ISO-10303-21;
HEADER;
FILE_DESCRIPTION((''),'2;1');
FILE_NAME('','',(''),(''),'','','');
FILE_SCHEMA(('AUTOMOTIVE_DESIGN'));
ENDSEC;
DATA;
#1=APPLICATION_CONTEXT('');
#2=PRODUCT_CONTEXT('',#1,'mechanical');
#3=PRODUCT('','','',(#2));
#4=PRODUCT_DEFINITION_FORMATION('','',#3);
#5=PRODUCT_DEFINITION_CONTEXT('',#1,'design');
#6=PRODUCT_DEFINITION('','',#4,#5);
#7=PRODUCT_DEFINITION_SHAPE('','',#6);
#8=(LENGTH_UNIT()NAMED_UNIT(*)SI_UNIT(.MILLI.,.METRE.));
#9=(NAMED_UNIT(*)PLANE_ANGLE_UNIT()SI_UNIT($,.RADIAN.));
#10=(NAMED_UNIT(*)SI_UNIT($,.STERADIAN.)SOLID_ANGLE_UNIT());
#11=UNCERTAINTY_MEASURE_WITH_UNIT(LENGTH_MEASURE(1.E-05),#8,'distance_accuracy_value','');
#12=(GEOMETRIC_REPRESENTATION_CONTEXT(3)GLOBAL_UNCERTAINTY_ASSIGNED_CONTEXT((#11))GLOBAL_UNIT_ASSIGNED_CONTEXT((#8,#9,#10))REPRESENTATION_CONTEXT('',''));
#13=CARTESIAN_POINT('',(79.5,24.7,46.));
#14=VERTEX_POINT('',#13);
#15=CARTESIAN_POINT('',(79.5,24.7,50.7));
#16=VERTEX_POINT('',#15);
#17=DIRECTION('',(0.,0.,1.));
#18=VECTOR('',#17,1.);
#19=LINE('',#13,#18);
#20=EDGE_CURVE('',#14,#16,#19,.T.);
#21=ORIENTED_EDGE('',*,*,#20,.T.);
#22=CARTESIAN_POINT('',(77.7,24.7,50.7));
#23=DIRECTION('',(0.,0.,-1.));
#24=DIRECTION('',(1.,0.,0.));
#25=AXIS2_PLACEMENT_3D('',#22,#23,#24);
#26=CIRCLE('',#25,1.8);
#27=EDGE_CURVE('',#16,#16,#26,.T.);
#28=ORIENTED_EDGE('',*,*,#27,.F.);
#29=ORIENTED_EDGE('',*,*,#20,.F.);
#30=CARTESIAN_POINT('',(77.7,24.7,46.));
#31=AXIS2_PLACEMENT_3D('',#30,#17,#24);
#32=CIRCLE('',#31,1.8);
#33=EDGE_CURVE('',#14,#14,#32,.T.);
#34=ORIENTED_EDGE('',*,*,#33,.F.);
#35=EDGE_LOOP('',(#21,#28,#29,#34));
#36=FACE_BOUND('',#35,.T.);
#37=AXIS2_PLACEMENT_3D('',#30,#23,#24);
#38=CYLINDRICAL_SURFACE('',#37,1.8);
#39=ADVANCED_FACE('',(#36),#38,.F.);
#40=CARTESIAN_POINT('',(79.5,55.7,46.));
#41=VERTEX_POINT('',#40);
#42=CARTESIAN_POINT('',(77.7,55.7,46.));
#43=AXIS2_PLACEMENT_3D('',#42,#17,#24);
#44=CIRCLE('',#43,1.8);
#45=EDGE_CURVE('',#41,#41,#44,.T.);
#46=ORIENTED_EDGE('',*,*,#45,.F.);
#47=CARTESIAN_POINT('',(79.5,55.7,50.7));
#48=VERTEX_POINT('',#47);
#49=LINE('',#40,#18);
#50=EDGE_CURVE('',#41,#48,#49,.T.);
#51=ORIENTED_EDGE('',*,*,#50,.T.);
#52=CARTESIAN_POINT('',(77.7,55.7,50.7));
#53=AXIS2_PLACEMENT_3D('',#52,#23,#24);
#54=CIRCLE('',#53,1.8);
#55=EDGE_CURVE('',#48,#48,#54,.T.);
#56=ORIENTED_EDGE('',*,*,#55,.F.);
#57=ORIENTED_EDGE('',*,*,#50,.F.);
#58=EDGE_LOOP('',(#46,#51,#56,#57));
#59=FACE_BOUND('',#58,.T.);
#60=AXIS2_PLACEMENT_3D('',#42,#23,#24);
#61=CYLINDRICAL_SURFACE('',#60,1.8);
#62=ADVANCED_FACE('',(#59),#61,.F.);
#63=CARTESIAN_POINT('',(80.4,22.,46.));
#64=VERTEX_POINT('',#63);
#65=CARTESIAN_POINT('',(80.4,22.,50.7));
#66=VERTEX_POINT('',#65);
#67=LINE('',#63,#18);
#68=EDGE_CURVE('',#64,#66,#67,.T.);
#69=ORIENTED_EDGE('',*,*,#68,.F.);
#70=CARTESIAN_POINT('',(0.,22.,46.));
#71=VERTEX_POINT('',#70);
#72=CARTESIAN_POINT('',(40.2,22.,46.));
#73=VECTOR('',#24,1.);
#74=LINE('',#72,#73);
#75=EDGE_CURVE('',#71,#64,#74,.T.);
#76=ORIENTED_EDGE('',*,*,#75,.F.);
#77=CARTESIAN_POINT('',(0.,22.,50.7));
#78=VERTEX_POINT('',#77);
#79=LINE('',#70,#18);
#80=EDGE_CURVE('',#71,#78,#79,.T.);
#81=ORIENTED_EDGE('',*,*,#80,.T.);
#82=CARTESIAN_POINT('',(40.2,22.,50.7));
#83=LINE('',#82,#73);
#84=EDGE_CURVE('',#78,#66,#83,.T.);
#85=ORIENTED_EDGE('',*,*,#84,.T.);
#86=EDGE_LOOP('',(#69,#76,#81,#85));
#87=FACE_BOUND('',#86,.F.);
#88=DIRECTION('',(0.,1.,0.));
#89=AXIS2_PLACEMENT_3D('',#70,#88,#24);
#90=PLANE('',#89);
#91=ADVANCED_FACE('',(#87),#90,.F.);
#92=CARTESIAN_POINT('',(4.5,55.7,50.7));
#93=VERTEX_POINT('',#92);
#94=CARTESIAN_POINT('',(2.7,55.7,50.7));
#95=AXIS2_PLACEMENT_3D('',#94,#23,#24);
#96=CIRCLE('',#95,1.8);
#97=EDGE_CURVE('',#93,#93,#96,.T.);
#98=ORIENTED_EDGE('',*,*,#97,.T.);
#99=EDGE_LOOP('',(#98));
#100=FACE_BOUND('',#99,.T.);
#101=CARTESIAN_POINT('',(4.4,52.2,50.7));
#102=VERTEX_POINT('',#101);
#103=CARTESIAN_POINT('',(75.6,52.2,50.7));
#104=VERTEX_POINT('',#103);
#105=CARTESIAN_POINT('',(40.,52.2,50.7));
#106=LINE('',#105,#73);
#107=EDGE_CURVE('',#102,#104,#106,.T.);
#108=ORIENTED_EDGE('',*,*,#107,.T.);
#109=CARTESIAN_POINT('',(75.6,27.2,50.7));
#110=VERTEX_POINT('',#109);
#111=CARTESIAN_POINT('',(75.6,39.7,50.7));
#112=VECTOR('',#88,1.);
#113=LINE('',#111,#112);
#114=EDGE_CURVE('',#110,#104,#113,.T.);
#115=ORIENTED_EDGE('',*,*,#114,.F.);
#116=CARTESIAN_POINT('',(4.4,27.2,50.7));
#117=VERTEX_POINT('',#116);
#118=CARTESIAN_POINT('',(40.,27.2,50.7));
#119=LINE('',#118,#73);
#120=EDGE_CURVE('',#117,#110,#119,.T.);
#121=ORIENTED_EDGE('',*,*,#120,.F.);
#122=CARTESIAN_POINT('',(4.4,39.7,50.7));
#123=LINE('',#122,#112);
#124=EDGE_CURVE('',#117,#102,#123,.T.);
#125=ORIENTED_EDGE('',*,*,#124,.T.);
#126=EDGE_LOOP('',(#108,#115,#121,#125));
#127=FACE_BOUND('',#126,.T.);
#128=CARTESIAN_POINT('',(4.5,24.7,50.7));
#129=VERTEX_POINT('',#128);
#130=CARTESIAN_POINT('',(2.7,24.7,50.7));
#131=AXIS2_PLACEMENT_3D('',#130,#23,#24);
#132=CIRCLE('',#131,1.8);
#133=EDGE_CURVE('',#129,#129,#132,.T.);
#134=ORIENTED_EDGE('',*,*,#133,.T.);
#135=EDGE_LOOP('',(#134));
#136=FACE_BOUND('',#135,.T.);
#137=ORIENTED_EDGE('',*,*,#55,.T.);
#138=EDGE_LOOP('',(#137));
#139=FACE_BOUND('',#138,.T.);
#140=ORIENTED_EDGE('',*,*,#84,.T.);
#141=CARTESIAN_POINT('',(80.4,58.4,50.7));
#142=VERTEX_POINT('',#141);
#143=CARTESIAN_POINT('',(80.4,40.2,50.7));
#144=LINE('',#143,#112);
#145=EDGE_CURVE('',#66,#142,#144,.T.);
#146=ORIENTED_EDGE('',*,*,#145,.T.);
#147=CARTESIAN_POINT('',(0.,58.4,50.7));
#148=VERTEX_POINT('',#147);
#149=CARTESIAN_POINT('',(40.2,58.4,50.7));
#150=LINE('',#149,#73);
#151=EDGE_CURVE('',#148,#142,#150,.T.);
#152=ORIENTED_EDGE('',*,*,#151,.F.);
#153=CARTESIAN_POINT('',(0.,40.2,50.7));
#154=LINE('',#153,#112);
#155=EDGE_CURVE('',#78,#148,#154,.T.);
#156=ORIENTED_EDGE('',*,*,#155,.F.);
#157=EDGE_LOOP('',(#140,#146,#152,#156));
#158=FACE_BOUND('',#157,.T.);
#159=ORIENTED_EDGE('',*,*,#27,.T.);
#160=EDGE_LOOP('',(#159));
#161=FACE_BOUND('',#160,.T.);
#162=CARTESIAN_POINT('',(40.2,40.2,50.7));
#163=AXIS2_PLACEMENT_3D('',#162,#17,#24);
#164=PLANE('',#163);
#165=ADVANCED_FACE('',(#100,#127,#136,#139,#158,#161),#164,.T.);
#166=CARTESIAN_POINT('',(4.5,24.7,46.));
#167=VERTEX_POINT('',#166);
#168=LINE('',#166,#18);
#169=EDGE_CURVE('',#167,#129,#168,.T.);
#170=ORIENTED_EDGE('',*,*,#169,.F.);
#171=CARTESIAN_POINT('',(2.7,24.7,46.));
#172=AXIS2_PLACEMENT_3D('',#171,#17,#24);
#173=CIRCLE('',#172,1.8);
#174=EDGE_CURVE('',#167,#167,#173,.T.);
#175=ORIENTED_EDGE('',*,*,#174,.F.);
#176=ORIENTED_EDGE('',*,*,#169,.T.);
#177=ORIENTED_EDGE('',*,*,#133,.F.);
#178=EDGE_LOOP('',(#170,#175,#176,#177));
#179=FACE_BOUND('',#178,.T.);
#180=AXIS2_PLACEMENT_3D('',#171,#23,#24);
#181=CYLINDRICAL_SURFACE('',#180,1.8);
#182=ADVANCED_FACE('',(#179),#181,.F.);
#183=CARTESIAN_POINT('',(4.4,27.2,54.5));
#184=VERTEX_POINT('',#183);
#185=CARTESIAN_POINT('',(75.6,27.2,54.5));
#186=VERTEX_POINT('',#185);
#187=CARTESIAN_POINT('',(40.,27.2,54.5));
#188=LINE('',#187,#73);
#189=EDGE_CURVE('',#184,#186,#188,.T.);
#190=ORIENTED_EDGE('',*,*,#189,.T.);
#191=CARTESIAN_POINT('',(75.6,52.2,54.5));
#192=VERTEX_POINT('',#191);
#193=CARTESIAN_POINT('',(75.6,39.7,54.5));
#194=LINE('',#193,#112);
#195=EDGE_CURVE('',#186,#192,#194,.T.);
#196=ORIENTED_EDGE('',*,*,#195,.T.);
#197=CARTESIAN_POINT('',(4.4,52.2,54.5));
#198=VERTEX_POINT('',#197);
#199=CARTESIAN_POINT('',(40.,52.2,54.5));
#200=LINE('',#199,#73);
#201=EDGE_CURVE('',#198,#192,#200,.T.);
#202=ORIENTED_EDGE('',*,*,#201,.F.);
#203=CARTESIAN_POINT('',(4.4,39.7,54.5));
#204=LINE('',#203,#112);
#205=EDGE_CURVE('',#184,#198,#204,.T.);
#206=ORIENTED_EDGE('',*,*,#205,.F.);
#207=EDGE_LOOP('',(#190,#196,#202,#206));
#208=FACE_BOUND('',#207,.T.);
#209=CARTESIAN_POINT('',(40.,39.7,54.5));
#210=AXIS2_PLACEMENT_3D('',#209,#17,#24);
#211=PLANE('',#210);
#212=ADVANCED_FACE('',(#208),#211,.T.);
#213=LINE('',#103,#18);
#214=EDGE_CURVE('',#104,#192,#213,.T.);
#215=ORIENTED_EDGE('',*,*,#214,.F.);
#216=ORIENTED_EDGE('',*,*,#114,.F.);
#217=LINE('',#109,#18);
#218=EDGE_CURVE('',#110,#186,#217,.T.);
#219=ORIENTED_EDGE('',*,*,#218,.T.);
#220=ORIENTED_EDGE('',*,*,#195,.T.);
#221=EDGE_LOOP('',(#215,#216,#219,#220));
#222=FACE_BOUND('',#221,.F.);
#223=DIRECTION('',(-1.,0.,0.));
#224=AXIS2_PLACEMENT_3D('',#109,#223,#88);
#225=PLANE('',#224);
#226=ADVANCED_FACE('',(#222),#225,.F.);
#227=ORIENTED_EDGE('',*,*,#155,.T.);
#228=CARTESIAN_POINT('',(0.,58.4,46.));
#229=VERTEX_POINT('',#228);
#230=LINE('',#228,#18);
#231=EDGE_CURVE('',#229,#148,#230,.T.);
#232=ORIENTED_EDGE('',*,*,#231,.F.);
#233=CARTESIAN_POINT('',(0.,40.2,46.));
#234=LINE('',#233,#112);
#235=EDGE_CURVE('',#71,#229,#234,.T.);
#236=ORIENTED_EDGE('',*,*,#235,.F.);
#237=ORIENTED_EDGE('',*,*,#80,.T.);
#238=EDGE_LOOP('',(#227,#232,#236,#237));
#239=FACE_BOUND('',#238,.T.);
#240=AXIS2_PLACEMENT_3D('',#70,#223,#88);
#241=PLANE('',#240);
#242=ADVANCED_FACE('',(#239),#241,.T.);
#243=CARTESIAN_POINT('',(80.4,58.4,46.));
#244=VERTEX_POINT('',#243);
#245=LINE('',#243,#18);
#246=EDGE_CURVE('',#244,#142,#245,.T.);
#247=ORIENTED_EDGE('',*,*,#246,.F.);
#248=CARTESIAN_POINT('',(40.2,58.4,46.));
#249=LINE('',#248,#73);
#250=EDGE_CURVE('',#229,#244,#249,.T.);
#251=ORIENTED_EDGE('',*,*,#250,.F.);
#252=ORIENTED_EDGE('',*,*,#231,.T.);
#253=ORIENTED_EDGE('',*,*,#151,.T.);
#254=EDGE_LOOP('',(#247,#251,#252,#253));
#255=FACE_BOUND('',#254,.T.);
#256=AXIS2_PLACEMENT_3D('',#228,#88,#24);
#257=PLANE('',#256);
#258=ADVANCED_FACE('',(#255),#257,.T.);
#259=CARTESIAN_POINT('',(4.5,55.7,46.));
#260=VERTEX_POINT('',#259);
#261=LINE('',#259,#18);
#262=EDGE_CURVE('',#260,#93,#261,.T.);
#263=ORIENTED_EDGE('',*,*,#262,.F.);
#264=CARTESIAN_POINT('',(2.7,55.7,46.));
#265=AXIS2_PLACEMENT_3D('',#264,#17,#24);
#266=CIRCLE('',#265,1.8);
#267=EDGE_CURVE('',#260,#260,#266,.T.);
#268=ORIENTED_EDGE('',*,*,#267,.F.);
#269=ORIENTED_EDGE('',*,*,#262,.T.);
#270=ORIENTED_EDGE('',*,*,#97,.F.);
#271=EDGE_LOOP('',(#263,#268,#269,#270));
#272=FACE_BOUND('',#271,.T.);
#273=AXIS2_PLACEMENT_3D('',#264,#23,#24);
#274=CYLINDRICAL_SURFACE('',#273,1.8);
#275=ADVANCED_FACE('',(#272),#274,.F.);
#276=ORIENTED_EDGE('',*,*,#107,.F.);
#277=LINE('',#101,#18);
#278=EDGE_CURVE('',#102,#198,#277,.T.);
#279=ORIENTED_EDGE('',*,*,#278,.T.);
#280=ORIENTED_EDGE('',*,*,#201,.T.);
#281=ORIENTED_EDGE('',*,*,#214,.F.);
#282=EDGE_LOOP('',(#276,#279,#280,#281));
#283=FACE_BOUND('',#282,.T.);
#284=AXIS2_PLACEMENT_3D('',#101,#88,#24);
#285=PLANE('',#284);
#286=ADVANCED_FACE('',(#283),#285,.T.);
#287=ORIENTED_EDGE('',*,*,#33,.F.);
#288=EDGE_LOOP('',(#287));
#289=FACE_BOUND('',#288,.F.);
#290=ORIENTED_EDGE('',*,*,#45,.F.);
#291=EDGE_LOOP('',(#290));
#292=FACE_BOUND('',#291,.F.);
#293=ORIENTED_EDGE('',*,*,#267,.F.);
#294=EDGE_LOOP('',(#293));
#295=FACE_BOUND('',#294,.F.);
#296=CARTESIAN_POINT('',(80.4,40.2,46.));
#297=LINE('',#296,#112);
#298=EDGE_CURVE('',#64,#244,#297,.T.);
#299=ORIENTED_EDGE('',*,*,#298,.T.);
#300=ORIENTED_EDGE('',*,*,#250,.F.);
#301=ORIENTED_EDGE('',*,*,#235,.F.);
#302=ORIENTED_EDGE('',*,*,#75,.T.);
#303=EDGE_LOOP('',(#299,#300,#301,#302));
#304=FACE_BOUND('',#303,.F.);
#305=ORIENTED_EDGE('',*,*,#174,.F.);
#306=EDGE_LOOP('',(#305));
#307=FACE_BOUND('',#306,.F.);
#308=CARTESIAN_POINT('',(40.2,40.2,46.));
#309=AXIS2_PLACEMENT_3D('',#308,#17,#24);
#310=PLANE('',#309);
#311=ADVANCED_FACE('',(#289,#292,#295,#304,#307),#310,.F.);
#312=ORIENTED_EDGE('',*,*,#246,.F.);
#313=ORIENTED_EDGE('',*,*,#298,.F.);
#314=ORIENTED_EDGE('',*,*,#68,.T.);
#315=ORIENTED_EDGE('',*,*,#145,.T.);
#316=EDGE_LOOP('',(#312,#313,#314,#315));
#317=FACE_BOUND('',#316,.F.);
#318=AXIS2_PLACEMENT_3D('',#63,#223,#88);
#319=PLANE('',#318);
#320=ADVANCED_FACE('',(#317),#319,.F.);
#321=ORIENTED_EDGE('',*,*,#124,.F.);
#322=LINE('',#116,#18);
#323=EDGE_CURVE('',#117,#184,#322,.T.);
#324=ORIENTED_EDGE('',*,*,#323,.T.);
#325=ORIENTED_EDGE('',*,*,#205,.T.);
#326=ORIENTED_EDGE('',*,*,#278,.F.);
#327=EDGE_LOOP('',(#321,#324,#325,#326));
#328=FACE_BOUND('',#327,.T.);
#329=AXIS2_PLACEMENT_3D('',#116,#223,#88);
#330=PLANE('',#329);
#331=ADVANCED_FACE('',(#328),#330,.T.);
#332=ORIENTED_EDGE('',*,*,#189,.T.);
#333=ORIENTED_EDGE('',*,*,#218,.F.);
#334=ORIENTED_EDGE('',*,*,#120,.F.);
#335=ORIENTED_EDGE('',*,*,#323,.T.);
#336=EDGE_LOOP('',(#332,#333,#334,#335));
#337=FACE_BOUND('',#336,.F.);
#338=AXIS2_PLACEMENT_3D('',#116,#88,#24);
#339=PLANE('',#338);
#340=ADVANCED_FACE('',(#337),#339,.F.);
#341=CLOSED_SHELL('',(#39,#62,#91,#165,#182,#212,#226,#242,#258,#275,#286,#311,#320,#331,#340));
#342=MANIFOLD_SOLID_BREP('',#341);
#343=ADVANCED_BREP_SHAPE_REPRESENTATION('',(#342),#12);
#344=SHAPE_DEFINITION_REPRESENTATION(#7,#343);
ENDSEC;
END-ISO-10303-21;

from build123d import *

# Parameters (mm, degrees)
CYLINDER002_R     = 1.8
CYLINDER002_DEPTH = 10
ARRAY003_X_COUNT  = 2
ARRAY003_X_PITCH  = 75
ARRAY003_Y_COUNT  = 2
ARRAY003_Y_PITCH  = 31
BOX008_W          = 80.4
BOX008_H          = 36.4
BOX008_DEPTH      = 4.7
BOX_W             = 71.2
BOX_H             = 25
BOX_DEPTH         = 3.8


with BuildPart() as hole_clone:
    # Cylinder002 → Cylinder002 (new body)
    with BuildSketch(Plane(origin=(3.7, 3.7, 0), x_dir=(1, 0, 0), z_dir=(0, 0, 1))):
        Circle(CYLINDER002_R)
    extrude(amount=CYLINDER002_DEPTH)

    # Array003 X: hole clone ×2


with BuildPart() as hole_clone_1:
    add(hole_clone.part)
    with Locations(*[(i * ARRAY003_X_PITCH, 0, 0) for i in range(1, ARRAY003_X_COUNT)]):
        add(hole_clone.part)

    # Array003 Y: hole clone ×2


with BuildPart() as hole_clone_2:
    add(hole_clone_1.part)
    with Locations(*[(0, i * ARRAY003_Y_PITCH, 0) for i in range(1, ARRAY003_Y_COUNT)]):
        add(hole_clone_1.part)


with BuildPart() as hole_clone_3:
    # Body placement: moved
    add(hole_clone_2.part.moved(Location((-1, -1, 0))))


with BuildPart() as under_display:
    # Box008 → Box008 (new body)
    with BuildSketch(Plane.XY):
        with Locations((40.2, 18.2)):
            Rectangle(BOX008_W, BOX008_H)
    extrude(amount=BOX008_DEPTH)


with BuildPart() as f_16x2_lcd_mockup_clone:
    # Box → Box (new body)
    with BuildSketch(Plane(origin=(4.4, 5.2, 4.7), x_dir=(1, 0, 0), z_dir=(0, 0, 1))):
        with Locations((35.6, 12.5)):
            Rectangle(BOX_W, BOX_H)
    extrude(amount=BOX_DEPTH)

    # Fusion004: union under display
    add(under_display.part)

    # Cut: cut hole clone
    add(hole_clone_3.part, mode=Mode.SUBTRACT)


with BuildPart() as f_16x2_lcd_mockup_clone_1:
    # Body002 placement: moved
    add(f_16x2_lcd_mockup_clone.part.moved(Location((0, 22, 46))))


solid = f_16x2_lcd_mockup_clone_1.part
